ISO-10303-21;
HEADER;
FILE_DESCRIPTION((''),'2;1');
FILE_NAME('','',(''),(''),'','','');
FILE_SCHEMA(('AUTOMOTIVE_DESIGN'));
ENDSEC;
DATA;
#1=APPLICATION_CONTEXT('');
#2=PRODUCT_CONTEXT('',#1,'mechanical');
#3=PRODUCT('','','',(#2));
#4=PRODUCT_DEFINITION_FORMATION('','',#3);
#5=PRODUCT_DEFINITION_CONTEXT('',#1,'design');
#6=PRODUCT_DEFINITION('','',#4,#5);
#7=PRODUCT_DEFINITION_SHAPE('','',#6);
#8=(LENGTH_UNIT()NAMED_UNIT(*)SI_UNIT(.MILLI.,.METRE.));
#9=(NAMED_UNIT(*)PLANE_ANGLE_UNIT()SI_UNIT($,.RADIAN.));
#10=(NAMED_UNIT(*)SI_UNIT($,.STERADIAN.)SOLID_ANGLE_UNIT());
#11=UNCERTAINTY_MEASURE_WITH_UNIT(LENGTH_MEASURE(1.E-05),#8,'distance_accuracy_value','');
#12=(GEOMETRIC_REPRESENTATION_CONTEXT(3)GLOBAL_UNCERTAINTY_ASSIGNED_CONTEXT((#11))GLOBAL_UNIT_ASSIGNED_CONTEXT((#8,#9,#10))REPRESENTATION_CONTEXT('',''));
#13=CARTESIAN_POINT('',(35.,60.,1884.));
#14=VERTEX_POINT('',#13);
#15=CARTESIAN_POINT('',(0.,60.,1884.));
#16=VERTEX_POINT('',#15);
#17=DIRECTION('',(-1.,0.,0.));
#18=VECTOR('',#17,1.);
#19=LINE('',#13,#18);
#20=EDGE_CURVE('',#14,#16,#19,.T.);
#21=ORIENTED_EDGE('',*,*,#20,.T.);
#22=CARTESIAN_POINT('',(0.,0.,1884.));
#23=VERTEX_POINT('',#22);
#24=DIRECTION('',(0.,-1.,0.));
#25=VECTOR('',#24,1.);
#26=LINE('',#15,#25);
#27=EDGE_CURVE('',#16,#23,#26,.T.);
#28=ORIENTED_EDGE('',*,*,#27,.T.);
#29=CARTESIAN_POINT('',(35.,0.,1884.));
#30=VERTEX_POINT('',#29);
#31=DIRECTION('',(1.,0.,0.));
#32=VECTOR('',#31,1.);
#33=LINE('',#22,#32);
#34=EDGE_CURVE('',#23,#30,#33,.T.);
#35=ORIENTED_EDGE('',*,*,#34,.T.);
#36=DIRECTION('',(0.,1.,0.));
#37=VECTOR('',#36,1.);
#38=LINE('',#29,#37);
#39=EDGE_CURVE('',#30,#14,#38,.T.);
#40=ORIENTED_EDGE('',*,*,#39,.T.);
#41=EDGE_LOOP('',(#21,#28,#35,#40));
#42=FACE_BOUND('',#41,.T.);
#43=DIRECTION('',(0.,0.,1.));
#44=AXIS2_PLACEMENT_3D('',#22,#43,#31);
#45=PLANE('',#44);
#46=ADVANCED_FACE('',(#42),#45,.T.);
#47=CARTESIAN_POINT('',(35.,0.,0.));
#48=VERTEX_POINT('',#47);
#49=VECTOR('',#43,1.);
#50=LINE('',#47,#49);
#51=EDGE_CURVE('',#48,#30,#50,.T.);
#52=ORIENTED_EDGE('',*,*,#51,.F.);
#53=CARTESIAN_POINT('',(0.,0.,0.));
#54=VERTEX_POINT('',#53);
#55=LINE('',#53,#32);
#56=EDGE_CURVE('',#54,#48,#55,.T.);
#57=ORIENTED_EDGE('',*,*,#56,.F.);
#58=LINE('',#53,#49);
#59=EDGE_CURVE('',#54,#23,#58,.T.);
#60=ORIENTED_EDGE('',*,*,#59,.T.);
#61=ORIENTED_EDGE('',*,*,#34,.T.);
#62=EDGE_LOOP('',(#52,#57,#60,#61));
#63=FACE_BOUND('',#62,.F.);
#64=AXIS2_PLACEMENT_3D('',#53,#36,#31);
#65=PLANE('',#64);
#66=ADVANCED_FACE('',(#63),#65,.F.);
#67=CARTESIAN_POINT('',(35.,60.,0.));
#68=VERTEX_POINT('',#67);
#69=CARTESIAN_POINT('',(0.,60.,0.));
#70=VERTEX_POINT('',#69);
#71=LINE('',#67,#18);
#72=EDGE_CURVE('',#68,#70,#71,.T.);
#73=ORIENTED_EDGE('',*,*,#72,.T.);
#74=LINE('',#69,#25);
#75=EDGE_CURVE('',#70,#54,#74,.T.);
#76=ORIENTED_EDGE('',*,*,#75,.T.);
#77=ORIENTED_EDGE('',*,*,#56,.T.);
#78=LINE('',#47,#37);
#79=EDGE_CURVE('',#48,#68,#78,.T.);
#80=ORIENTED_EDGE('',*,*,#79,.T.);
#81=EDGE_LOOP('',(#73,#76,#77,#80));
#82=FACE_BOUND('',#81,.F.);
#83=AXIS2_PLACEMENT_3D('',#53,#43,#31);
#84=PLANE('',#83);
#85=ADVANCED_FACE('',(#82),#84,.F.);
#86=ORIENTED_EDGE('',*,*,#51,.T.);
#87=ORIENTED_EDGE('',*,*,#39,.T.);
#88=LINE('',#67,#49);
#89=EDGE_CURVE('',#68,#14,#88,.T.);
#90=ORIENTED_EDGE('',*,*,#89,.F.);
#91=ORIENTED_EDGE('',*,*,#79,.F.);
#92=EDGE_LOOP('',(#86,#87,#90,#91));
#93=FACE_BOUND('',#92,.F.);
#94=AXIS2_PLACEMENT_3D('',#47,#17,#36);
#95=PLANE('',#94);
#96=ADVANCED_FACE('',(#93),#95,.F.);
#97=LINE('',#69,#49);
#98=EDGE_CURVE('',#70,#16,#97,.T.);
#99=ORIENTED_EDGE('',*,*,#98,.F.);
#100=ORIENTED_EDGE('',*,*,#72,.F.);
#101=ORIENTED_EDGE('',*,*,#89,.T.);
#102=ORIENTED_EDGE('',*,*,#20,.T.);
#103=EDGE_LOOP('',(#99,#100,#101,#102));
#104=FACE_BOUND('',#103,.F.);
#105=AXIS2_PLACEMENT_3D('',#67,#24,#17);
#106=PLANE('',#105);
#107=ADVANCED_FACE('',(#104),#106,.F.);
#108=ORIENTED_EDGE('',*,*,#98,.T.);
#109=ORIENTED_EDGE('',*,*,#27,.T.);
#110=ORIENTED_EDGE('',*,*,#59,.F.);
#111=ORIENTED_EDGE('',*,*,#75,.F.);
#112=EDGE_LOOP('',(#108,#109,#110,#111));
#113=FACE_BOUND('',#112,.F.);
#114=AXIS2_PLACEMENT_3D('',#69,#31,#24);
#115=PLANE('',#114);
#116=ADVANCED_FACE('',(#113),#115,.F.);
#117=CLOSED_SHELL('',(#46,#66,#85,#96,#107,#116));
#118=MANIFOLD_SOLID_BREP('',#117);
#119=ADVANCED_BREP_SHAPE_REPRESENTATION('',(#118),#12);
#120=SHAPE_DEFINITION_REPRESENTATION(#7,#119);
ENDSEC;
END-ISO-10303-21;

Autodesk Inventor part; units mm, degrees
ref_plane "YZ Plane" through (0, 0, 0) normal (1, 0, 0) x (0, 1, 0)
ref_plane "XZ Plane" through (0, 0, 0) normal (0, 1, 0) x (-1, 0, 0)
ref_plane "XY Plane" through (0, 0, 0) normal (0, 0, 1) x (1, 0, 0)
sketch "Sketch1" plane through (0, 0, 0) normal (0, 0, 1) x (1, 0, 0)
  line L0 (0, 0) -> (35, 0)
  line L1 (35, 0) -> (35, 60)
  line L2 (35, 60) -> (0, 60)
  line L3 (0, 60) -> (0, 0)
  dimension "d0" = 35
  dimension "d1" = 60
extrude "Extrusion1" add sketch "Sketch1" along normal blind 1884
properties part number "liste" material "Wood (Birch)"
